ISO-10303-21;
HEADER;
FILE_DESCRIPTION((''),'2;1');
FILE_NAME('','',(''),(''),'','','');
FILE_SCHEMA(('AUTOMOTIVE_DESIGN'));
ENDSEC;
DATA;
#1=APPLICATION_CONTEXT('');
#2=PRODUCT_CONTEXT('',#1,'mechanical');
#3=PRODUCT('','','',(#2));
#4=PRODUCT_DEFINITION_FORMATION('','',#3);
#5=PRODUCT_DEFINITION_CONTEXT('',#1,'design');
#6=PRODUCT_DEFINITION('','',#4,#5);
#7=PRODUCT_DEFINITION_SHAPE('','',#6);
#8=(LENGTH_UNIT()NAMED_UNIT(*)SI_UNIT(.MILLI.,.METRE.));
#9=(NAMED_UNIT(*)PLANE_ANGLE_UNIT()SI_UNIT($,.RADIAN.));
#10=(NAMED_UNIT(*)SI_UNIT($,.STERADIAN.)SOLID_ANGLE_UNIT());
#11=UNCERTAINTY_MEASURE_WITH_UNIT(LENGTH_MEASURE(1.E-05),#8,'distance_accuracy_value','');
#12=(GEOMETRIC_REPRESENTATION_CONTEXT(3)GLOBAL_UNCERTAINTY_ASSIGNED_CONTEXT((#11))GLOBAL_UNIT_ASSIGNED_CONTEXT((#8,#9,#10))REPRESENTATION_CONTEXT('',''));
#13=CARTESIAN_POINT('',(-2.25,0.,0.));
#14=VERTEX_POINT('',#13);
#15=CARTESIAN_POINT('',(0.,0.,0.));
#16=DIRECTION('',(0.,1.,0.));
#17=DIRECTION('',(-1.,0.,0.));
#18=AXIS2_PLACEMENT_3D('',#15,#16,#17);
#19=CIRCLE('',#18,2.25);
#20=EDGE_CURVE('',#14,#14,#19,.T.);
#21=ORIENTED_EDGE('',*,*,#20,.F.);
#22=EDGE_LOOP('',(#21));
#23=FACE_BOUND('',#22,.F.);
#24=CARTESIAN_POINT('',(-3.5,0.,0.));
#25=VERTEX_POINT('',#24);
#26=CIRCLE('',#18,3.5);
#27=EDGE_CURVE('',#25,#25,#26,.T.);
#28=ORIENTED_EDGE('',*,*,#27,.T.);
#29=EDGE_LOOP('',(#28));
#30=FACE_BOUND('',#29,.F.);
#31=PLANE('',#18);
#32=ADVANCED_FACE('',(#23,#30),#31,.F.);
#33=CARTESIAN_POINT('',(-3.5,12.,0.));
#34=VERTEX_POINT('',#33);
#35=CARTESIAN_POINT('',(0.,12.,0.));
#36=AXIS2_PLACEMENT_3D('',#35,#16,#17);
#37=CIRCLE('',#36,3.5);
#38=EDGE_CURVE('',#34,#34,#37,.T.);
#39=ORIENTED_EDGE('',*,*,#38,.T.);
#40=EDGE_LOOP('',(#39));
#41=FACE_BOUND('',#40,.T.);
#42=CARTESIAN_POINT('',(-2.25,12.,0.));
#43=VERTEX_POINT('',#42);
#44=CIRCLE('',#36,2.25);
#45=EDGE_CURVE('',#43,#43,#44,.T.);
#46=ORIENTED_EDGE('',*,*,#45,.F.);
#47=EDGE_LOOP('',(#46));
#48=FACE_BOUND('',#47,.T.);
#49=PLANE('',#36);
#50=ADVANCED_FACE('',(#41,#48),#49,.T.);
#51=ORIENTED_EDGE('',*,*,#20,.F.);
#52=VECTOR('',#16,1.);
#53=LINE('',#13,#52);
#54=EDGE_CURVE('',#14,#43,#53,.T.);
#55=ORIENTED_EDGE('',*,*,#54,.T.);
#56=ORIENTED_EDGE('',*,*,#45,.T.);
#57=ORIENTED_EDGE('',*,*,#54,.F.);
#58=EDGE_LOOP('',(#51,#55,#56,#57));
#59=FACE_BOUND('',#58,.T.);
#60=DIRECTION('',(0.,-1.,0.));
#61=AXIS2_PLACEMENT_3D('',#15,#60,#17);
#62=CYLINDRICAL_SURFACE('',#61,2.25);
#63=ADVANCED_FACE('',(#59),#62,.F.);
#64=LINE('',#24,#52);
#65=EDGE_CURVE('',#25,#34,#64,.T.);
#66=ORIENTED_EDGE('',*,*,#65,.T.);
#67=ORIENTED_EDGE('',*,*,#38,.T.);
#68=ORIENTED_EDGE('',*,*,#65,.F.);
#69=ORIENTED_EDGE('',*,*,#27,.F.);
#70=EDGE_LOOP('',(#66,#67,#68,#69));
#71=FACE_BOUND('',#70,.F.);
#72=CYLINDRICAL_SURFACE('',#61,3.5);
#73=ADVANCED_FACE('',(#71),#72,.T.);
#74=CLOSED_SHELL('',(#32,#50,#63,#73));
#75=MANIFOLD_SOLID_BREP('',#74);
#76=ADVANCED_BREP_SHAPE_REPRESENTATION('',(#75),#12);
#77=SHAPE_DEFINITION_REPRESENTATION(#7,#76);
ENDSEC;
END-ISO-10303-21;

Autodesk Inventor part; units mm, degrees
ref_plane "YZ Plane" through (0, 0, 0) normal (1, 0, 0) x (0, 1, 0)
ref_plane "XZ Plane" through (0, 0, 0) normal (0, 1, 0) x (-1, 0, 0)
ref_plane "XY Plane" through (0, 0, 0) normal (0, 0, 1) x (1, 0, 0)
sketch "Esquisse1" plane through (0, 0, 0) normal (0, 1, 0) x (-1, 0, 0)
  circle A0 centre (0, 0) radius 3.5
  circle A1 centre (0, 0) radius 2.25
  dimension "d0" = 4.5
  dimension "d1" = 7
extrude "Extrusion1" add sketch "Esquisse1" along normal blind 12
properties part number "entretoise_12"
